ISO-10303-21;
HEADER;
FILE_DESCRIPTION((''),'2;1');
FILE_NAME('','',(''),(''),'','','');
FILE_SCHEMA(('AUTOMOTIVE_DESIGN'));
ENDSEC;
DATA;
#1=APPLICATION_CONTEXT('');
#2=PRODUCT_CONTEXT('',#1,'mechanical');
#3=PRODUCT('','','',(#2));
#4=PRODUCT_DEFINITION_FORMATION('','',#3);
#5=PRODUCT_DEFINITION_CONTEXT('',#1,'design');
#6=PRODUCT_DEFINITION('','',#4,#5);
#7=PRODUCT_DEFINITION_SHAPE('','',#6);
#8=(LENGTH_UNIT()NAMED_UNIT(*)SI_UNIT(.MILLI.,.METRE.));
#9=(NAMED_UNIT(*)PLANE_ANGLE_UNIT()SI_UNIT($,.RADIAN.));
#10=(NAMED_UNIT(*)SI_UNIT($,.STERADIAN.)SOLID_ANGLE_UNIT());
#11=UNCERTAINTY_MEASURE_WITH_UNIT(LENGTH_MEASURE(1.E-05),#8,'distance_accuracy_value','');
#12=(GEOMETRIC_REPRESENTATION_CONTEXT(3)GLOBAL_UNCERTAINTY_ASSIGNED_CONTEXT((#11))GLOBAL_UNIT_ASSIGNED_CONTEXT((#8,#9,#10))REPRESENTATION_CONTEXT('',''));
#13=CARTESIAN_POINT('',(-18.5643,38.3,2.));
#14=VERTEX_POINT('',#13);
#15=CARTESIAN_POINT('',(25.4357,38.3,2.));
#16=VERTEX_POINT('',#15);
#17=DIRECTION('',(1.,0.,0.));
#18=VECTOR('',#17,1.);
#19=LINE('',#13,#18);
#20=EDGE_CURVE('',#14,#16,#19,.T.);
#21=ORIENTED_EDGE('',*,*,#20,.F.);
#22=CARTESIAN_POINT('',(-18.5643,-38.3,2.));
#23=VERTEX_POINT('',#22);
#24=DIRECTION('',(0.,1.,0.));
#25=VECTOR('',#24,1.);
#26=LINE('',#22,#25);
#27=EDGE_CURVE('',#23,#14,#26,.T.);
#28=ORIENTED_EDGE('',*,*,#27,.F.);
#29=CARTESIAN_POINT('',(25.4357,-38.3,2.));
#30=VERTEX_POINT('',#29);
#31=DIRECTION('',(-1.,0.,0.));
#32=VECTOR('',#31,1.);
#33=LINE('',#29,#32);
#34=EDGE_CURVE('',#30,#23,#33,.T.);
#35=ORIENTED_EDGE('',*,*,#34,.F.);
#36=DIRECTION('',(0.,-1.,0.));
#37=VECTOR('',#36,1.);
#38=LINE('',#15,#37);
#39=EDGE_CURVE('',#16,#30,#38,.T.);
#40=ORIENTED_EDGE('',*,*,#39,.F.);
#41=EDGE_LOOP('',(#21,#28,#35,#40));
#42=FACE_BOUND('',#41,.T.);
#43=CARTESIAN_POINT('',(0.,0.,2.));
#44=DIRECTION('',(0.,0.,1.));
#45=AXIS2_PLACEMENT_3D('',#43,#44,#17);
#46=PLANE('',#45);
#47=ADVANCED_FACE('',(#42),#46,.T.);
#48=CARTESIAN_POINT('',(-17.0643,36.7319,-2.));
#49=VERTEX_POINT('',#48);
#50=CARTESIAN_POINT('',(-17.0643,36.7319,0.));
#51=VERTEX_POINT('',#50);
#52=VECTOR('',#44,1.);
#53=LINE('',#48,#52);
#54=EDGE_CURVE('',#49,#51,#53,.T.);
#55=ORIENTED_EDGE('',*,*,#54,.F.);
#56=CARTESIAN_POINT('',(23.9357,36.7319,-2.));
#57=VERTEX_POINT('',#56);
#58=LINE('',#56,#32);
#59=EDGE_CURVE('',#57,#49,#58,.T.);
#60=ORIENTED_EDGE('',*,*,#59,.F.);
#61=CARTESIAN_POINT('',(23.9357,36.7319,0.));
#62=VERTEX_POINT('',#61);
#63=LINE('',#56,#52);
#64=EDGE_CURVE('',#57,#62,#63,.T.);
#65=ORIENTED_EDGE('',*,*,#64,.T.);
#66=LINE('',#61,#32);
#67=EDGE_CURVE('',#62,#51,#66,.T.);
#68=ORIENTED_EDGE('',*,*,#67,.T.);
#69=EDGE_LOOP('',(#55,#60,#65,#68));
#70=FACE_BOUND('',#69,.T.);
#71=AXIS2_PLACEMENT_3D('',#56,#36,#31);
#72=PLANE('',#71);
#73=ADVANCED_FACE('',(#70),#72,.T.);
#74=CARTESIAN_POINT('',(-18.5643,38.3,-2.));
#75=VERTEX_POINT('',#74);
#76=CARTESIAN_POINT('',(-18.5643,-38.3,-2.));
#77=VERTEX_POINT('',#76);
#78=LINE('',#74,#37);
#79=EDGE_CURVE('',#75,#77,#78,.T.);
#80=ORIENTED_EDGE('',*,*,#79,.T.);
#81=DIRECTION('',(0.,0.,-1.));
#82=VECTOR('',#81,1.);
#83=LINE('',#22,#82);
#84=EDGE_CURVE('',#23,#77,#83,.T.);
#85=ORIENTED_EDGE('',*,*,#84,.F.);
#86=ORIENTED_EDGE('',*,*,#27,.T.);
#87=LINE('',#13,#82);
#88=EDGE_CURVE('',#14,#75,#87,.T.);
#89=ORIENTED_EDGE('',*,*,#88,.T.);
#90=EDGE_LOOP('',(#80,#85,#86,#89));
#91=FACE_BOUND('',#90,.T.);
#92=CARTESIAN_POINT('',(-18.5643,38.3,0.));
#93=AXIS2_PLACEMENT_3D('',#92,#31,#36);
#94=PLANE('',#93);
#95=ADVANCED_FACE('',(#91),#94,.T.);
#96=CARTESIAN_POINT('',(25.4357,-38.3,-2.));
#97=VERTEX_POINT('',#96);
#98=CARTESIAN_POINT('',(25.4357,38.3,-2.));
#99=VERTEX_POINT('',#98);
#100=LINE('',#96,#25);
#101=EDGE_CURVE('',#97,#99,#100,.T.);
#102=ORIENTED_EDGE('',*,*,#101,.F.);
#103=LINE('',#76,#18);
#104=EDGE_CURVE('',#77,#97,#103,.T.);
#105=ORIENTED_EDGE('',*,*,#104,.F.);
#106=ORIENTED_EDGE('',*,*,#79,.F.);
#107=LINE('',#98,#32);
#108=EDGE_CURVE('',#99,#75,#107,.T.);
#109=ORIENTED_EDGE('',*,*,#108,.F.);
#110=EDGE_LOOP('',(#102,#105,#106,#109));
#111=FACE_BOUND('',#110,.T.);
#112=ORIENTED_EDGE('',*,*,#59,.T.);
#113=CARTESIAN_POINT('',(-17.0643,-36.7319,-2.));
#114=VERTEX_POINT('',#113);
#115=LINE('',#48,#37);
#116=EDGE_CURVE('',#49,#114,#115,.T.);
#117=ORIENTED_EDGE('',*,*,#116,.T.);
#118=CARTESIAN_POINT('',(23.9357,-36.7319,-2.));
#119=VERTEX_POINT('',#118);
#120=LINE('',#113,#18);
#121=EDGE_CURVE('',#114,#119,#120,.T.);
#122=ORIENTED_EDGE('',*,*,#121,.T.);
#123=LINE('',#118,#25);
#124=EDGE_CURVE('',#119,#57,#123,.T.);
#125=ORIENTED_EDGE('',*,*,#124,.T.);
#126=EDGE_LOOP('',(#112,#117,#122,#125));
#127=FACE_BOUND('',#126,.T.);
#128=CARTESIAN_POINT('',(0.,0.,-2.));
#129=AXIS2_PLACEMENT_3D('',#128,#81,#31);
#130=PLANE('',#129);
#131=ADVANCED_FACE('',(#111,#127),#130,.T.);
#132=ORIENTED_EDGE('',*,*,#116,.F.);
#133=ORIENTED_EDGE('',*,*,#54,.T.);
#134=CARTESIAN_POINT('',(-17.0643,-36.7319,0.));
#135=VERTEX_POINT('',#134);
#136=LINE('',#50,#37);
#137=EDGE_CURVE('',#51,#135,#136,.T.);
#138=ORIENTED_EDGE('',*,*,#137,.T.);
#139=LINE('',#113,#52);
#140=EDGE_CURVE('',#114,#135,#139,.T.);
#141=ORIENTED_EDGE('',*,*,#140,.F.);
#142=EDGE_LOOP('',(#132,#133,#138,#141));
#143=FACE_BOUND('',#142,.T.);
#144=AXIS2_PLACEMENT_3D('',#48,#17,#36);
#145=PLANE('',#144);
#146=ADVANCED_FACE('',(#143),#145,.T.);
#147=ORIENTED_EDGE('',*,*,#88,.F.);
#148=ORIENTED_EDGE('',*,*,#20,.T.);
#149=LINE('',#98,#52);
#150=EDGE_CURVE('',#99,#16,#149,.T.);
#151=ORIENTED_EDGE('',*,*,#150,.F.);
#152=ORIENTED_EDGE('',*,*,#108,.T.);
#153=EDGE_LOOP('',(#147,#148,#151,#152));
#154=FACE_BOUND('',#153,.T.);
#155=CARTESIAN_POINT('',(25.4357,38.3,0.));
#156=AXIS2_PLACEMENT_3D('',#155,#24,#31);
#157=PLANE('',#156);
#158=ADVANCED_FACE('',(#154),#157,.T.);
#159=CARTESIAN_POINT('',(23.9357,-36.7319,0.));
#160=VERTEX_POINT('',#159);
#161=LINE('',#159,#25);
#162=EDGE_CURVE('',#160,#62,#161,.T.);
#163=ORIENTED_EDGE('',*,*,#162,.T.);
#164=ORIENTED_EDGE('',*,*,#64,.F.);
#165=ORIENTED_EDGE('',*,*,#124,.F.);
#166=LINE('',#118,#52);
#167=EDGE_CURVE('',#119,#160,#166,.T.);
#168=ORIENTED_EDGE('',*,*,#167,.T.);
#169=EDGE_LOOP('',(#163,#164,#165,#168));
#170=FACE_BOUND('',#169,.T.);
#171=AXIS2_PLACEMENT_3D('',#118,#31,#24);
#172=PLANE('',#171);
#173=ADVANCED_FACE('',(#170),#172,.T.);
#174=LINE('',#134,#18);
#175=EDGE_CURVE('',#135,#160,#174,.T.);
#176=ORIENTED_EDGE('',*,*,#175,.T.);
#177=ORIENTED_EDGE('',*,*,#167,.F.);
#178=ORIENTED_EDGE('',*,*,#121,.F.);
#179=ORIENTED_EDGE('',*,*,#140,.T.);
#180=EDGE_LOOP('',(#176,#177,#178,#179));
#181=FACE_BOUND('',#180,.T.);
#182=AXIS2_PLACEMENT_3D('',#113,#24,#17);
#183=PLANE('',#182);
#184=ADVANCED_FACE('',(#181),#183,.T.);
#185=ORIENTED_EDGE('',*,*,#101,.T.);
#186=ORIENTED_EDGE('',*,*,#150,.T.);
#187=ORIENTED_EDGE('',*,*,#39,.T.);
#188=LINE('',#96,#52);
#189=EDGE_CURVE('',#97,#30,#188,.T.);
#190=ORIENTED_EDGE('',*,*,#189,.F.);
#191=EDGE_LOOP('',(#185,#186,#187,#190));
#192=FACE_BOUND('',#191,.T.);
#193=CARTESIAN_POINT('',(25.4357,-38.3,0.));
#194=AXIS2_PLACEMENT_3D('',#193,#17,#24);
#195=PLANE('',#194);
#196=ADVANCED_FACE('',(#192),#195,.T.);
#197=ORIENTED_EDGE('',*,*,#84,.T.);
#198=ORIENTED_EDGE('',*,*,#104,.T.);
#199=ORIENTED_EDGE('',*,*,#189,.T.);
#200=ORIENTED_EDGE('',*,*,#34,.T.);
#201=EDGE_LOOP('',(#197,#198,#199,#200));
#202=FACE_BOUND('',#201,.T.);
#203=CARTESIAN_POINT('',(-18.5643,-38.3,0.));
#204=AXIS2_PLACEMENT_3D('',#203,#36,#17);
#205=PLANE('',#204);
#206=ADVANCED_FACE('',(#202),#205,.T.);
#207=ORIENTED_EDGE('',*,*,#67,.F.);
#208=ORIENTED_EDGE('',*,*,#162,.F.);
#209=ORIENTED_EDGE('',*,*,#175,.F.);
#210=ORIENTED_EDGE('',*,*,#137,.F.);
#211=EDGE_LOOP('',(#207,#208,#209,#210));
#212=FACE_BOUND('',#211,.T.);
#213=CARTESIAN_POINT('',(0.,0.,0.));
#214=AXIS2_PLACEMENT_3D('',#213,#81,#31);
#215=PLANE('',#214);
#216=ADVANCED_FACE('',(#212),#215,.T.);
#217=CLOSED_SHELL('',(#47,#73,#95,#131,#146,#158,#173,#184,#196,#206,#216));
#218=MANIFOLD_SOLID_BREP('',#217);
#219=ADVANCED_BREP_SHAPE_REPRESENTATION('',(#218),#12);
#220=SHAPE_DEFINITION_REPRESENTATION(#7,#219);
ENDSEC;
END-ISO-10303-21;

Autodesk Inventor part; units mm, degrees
ref_plane "YZ Plane" through (0, 0, 0) normal (1, 0, 0) x (0, 1, 0)
ref_plane "XZ Plane" through (0, 0, 0) normal (0, 1, 0) x (-1, 0, 0)
ref_plane "XY Plane" through (0, 0, 0) normal (0, 0, 1) x (1, 0, 0)
sketch "Esquisse1" plane through (0, 0, 0) normal (0, 0, 1) x (1, 0, 0)
  line L0 (-1, -22.45) -> (1, -22.45) projected
  line L1 (-1, -21.45) -> (-1, -22.45) projected
  line L2 (-3, -21.45) -> (-1, -21.45) projected
  line L3 (-3, -21.45) -> (-3, -34.3) projected
  line L4 (-3, -34.3) -> (-13.5643, -34.3) projected
  line L5 (-13.5643, -34.3) -> (-13.5643, 34.3) projected
  line L6 (-13.5643, 34.3) -> (-3, 34.3) projected
  line L7 (-3, 21.45) -> (-3, 34.3) projected
  line L8 (-1, 21.45) -> (-3, 21.45) projected
  line L9 (-1, 22.45) -> (-1, 21.45) projected
  line L10 (1, 22.45) -> (-1, 22.45) projected
  line L11 (1, 21.45) -> (1, 22.45) projected
  line L12 (3, 21.45) -> (1, 21.45) projected
  line L13 (3, 24.45) -> (3, 21.45) projected
  line L14 (3, 24.45) -> (3.0074, 24.45) projected
  line L15 (3.0074, 24.45) -> (3.0074, 34.3) projected
  line L16 (3.0074, 34.3) -> (15.5357, 34.3) projected
  line L17 (15.5357, 34.3) -> (15.5357, 30.7219) projected
  line L18 (15.5357, 30.7219) -> (17.5357, 30.7219) projected
  line L19 (17.5357, 30.7219) -> (17.5357, 34.3) projected
  line L20 (17.5357, 34.3) -> (21.4357, 34.3) projected
  line L21 (21.4357, 34.3) -> (21.4357, 30.7219) projected
  line L22 (21.4357, 30.7219) -> (23.4357, 30.7219) projected
  line L23 (23.4357, 30.7219) -> (23.4357, 36.3) projected
  line L24 (-16.5643, 36.3) -> (23.4357, 36.3) projected
  line L25 (-16.5643, 36.3) -> (-16.5643, -36.3) projected
  line L26 (-16.5643, -36.3) -> (23.4357, -36.3) projected
  line L27 (23.4357, -30.7219) -> (23.4357, -36.3) projected
  line L28 (23.4357, -30.7219) -> (21.4357, -30.7219) projected
  line L29 (21.4357, -30.7219) -> (21.4357, -34.3) projected
  line L30 (21.4357, -34.3) -> (17.5357, -34.3) projected
  line L31 (17.5357, -34.3) -> (17.5357, -30.7219) projected
  line L32 (17.5357, -30.7219) -> (15.5357, -30.7219) projected
  line L33 (15.5357, -30.7219) -> (15.5357, -34.3) projected
  line L34 (15.5357, -34.3) -> (3.0074, -34.3) projected
  line L35 (3.0074, -34.3) -> (3.0074, -24.45) projected
  line L36 (3.0074, -24.45) -> (3, -24.45) projected
  line L37 (3, -21.45) -> (3, -24.45) projected
  line L38 (1, -21.45) -> (3, -21.45) projected
  line L39 (1, -22.45) -> (1, -21.45) projected
  line L40 (23.4357, 36.3) -> (-16.5643, 36.3)
  line L41 (-16.5643, 36.3) -> (-16.5643, -36.3)
  line L42 (-16.5643, -36.3) -> (23.4357, -36.3)
  line L43 (23.4357, -36.3) -> (23.4357, 36.3)
  line L44 (-18.5643, 38.3) -> (25.4357, 38.3)
  line L45 (25.4357, 38.3) -> (25.4357, -38.3)
  line L46 (25.4357, -38.3) -> (-18.5643, -38.3)
  line L47 (-18.5643, -38.3) -> (-18.5643, 38.3)
  point P0 (0, 0)
  dimension "d0" = 2
extrude "Extrusion1" add sketch "Esquisse1" along normal blind 2 contours L1 L2 L3 L4 L5 L6 L7 L8 L9 L10 L11 L12 L13 L14 L15 L16 L17 L18 L19 L20 L21 L22 L43 L28 L29 L30 L31 L32 L33 L34 L35 L36 L37 L38 L39 L0 | L0 L39 L38 L37 L36 L35 L34 L33 L32 L31 L30 L29 L28 L27 L26 L25 L24 L23 L22 L21 L20 L19 L18 L17 L16 L15 L14 L13 L12 L11 L10 L9 L8 L7 L6 L5 L4 L3 L2 L1 | L44 L45 L46 L47
sketch "Esquisse2" plane through (0, 0, 0) normal (0, 0, -1) x (-1, 0, 0)
  line L0 (-23.4357, -36.3) -> (-23.4357, 36.3) projected
  line L1 (16.5643, 36.3) -> (-23.4357, 36.3) projected
  line L2 (16.5643, 36.3) -> (16.5643, -36.3) projected
  line L3 (16.5643, -36.3) -> (-23.4357, -36.3) projected
  line L4 (18.5643, -38.3) -> (-25.4357, -38.3) projected
  line L5 (18.5643, 38.3) -> (18.5643, -38.3) projected
  line L6 (-25.4357, 38.3) -> (18.5643, 38.3) projected
  line L7 (-25.4357, -38.3) -> (-25.4357, 38.3) projected
  point P0 (0, 0)
extrude "Extrusion2" add sketch "Esquisse2" along normal blind 2
sketch "Esquisse3" plane through (0, 0, -2) normal (0, 0, -1) x (-1, 0, 0)
  line L0 (-23.4357, -36.3) -> (16.5643, -36.3) construction
  line L1 (16.5643, 36.3) -> (-23.4357, 36.3) construction
  line L2 (16.5643, -36.3) -> (-23.4357, 36.3) construction
  line L3 (-23.4357, -36.3) -> (16.5643, 36.3) construction
  line L4 (-23.9357, 36.7319) -> (17.0643, 36.7319)
  line L5 (17.0643, 36.7319) -> (17.0643, -36.7319)
  line L6 (17.0643, -36.7319) -> (-23.9357, -36.7319)
  line L7 (-23.9357, -36.7319) -> (-23.9357, 36.7319)
  line L8 (-23.9357, 36.7319) -> (17.0643, -36.7319) construction
  line L9 (17.0643, 36.7319) -> (-23.9357, -36.7319) construction
  line L10 (16.5643, 36.3) -> (16.5643, -36.3) projected
  point P0 (0, 0)
  point P1 (-3.4357, 0)
  dimension "d5" = 0.5
extrude "Extrusion3" cut sketch "Esquisse3" against normal blind 2
properties part number "Cache_remote"
